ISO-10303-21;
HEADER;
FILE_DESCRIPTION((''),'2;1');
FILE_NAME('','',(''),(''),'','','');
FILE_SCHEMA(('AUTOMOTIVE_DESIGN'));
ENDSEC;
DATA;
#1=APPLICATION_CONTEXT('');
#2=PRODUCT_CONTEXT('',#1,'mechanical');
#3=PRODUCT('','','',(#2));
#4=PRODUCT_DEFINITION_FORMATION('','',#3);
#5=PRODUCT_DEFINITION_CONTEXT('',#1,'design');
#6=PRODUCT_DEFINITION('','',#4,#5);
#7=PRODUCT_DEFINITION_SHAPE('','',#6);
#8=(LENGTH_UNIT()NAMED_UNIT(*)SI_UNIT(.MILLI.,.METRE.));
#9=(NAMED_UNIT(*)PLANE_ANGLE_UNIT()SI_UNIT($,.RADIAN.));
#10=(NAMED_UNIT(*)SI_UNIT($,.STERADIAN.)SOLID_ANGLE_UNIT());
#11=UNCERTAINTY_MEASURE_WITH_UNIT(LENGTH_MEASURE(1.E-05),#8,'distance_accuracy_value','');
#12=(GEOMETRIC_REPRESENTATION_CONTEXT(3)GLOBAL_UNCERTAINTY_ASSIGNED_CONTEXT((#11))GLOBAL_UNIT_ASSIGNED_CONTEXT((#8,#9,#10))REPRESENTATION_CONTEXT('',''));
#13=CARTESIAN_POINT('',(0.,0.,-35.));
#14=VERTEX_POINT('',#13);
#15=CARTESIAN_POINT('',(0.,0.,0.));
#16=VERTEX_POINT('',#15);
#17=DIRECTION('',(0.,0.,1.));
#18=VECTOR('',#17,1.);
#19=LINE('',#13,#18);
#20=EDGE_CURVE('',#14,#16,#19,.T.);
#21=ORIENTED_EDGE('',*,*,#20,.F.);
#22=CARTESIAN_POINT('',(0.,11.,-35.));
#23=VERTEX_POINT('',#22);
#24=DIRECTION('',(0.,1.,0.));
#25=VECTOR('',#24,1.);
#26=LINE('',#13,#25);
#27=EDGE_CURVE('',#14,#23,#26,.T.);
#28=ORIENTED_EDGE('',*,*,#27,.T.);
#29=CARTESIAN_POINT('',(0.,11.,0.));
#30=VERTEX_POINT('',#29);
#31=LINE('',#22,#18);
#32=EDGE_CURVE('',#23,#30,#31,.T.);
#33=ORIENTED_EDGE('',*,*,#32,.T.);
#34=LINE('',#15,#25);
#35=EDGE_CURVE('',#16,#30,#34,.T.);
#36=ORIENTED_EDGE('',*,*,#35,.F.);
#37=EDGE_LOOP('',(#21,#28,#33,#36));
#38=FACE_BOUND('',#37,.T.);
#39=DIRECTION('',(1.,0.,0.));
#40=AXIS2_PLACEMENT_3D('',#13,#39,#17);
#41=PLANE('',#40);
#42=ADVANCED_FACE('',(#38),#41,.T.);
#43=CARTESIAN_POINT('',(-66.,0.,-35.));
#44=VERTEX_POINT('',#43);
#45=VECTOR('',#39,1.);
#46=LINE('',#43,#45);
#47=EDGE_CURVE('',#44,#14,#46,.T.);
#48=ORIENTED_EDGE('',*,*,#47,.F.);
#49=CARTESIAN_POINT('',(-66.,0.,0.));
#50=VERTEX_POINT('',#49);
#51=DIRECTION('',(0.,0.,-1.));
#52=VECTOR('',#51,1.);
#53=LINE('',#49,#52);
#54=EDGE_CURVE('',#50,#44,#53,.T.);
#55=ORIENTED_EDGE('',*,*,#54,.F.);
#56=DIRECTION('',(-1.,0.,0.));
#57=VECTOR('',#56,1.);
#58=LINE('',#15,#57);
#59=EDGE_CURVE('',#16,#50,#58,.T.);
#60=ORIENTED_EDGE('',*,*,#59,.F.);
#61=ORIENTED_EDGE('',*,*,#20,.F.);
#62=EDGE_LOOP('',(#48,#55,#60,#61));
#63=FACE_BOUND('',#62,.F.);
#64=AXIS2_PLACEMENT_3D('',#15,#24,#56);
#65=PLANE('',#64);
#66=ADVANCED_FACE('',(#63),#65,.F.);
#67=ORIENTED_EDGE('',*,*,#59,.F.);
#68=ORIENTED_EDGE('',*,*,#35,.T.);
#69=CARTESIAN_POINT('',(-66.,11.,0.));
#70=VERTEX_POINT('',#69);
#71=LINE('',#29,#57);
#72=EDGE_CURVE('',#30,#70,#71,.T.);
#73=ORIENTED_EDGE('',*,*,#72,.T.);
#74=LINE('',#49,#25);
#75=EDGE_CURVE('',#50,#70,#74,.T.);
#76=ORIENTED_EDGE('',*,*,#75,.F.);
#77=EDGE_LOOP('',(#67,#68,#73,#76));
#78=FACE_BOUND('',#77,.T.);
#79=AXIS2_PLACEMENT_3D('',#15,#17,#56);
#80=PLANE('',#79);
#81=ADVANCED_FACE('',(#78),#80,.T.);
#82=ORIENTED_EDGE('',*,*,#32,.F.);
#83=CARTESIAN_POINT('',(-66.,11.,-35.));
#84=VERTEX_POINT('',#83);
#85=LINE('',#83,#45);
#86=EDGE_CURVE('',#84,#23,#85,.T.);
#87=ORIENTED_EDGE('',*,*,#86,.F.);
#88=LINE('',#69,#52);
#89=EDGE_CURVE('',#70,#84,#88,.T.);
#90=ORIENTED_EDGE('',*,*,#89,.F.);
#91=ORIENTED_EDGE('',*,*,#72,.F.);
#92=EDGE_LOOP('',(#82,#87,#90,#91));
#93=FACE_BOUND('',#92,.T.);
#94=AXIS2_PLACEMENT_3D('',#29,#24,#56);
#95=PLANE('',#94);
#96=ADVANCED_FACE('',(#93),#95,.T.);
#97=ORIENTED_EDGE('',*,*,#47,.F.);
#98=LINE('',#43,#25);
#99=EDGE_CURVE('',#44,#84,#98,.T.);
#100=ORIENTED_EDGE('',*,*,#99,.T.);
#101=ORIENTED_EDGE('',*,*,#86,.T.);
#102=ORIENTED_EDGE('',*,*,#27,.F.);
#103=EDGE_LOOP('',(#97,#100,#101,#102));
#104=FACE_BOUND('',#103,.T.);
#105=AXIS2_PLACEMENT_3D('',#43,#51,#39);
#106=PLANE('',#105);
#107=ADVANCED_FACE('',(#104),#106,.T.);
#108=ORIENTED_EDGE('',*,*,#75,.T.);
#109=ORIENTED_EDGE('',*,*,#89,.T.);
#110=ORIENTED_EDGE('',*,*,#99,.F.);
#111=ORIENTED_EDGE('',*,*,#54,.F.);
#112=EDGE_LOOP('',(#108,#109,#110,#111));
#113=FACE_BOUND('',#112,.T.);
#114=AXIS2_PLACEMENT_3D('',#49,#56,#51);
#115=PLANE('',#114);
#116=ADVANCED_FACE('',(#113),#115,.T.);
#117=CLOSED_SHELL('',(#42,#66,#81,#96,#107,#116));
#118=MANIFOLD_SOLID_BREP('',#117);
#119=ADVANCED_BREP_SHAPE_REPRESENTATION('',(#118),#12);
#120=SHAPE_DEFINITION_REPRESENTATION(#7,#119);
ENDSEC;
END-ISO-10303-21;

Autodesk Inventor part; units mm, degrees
ref_plane "YZ Plane" through (0, 0, 0) normal (1, 0, 0) x (0, 1, 0)
ref_plane "XZ Plane" through (0, 0, 0) normal (0, 1, 0) x (-1, 0, 0)
ref_plane "XY Plane" through (0, 0, 0) normal (0, 0, 1) x (1, 0, 0)
sketch "Esquisse1" plane through (0, 0, 0) normal (0, 1, 0) x (-1, 0, 0)
  line L0 (0, 0) -> (66, 0)
  line L1 (66, 0) -> (66, -35)
  line L2 (66, -35) -> (0, -35)
  line L3 (0, -35) -> (0, 0)
  dimension "d0" = 35
  dimension "d1" = 66
extrude "Extrusion1" add sketch "Esquisse1" along normal blind 11
properties part number "lipo"
